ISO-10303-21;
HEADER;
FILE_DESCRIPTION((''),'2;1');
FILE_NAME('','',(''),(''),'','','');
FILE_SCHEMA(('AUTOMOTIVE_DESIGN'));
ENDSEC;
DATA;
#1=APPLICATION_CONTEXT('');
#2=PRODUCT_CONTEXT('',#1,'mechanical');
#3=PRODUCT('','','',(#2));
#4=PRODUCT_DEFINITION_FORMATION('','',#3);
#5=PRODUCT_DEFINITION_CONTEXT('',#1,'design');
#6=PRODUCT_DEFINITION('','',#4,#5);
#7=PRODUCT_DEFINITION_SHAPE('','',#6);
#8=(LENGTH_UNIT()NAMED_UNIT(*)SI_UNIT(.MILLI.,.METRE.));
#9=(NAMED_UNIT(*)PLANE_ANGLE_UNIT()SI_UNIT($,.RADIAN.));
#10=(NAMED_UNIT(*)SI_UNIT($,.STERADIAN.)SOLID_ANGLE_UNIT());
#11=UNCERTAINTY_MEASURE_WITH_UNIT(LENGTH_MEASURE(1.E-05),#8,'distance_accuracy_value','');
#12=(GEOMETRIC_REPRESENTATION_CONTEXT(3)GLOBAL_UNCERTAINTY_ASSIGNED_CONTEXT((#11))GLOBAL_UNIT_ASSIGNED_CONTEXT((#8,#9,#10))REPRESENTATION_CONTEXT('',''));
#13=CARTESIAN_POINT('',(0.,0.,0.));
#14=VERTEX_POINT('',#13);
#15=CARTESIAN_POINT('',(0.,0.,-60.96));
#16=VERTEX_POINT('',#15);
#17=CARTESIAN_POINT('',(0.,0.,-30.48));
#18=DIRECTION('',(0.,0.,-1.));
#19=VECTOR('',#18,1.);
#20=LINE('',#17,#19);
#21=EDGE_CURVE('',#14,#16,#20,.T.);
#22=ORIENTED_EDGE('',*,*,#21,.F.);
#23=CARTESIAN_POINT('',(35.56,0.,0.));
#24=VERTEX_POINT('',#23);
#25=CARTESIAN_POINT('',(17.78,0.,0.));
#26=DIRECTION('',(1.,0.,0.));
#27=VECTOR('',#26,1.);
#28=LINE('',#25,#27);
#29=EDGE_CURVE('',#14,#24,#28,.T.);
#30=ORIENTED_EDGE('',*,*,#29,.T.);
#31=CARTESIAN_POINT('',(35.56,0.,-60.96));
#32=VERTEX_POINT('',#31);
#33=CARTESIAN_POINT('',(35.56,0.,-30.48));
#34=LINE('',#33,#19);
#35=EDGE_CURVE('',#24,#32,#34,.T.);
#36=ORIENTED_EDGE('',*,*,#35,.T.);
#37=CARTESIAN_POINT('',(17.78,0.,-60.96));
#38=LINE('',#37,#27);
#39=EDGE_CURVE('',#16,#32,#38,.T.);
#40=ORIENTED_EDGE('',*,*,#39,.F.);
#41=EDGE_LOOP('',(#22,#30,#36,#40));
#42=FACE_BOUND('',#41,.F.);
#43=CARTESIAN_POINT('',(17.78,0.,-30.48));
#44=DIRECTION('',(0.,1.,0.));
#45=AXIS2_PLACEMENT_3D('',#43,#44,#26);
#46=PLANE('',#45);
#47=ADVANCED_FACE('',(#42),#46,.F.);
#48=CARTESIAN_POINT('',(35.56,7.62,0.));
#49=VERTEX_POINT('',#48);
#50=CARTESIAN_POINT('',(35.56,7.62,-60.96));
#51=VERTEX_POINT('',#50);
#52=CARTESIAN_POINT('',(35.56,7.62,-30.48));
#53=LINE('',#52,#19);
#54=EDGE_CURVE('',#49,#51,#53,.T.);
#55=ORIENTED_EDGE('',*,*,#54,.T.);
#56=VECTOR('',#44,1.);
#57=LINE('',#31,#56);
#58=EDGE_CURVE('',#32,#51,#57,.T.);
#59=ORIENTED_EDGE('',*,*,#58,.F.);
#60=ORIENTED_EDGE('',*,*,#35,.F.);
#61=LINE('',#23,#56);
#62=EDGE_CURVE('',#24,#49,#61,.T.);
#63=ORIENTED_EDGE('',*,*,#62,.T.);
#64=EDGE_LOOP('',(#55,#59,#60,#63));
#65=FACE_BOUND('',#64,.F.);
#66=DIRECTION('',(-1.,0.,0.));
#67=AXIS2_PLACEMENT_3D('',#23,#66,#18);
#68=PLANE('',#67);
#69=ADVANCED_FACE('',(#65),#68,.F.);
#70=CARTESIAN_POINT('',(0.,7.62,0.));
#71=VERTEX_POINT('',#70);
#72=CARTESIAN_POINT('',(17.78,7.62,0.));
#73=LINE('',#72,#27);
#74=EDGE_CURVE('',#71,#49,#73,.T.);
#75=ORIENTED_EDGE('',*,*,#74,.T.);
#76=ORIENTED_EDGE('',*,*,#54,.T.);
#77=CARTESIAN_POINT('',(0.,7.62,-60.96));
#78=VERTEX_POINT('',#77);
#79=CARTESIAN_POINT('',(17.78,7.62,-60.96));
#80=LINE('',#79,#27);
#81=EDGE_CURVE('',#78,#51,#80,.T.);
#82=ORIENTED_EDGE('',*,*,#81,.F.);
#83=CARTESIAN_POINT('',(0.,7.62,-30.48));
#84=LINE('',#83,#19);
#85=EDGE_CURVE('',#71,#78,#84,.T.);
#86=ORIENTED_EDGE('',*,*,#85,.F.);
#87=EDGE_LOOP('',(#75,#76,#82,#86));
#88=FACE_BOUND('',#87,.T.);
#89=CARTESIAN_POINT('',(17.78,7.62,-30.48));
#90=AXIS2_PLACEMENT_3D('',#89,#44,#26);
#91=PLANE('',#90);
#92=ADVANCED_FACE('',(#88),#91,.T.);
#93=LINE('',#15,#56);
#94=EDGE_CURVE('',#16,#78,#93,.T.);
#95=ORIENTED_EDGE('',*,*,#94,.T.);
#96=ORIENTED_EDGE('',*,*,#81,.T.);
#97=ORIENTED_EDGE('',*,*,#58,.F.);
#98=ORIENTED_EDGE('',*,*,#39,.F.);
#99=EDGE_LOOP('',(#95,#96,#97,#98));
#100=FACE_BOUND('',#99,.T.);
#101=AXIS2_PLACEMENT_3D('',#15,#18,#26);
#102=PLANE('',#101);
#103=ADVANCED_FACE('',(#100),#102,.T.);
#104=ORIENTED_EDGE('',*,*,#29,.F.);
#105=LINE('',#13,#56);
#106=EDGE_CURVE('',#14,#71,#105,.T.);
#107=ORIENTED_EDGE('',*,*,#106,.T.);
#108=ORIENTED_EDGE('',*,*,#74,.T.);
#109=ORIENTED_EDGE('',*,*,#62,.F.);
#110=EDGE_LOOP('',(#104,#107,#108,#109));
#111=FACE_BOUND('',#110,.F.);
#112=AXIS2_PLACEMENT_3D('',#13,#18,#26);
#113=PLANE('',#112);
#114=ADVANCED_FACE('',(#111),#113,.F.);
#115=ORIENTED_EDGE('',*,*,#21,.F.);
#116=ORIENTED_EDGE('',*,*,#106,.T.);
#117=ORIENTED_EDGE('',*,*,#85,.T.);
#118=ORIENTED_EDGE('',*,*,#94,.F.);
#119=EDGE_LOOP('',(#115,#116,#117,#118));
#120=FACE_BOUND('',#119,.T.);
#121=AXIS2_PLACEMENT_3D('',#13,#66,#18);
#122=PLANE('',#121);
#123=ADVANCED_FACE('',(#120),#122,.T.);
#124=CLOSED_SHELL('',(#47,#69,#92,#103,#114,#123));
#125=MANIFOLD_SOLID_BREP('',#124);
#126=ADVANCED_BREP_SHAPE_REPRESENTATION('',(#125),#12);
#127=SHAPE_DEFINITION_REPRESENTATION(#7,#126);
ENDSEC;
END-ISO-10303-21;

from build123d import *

# Parameters (mm, degrees)
SKETCH1_W           = 35.56
SKETCH1_H           = 60.96
BOSS_EXTRUDE1_DEPTH = 7.62


with BuildPart() as part:
    # Sketch1 → Boss-Extrude1 (new body)
    with BuildSketch(Plane(origin=(0, 0, 0), x_dir=(1, 0, 0), z_dir=(0, 1, 0))):
        with Locations((17.78, 30.48)):
            Rectangle(SKETCH1_W, SKETCH1_H)
    extrude(amount=BOSS_EXTRUDE1_DEPTH)


solid = part.part
